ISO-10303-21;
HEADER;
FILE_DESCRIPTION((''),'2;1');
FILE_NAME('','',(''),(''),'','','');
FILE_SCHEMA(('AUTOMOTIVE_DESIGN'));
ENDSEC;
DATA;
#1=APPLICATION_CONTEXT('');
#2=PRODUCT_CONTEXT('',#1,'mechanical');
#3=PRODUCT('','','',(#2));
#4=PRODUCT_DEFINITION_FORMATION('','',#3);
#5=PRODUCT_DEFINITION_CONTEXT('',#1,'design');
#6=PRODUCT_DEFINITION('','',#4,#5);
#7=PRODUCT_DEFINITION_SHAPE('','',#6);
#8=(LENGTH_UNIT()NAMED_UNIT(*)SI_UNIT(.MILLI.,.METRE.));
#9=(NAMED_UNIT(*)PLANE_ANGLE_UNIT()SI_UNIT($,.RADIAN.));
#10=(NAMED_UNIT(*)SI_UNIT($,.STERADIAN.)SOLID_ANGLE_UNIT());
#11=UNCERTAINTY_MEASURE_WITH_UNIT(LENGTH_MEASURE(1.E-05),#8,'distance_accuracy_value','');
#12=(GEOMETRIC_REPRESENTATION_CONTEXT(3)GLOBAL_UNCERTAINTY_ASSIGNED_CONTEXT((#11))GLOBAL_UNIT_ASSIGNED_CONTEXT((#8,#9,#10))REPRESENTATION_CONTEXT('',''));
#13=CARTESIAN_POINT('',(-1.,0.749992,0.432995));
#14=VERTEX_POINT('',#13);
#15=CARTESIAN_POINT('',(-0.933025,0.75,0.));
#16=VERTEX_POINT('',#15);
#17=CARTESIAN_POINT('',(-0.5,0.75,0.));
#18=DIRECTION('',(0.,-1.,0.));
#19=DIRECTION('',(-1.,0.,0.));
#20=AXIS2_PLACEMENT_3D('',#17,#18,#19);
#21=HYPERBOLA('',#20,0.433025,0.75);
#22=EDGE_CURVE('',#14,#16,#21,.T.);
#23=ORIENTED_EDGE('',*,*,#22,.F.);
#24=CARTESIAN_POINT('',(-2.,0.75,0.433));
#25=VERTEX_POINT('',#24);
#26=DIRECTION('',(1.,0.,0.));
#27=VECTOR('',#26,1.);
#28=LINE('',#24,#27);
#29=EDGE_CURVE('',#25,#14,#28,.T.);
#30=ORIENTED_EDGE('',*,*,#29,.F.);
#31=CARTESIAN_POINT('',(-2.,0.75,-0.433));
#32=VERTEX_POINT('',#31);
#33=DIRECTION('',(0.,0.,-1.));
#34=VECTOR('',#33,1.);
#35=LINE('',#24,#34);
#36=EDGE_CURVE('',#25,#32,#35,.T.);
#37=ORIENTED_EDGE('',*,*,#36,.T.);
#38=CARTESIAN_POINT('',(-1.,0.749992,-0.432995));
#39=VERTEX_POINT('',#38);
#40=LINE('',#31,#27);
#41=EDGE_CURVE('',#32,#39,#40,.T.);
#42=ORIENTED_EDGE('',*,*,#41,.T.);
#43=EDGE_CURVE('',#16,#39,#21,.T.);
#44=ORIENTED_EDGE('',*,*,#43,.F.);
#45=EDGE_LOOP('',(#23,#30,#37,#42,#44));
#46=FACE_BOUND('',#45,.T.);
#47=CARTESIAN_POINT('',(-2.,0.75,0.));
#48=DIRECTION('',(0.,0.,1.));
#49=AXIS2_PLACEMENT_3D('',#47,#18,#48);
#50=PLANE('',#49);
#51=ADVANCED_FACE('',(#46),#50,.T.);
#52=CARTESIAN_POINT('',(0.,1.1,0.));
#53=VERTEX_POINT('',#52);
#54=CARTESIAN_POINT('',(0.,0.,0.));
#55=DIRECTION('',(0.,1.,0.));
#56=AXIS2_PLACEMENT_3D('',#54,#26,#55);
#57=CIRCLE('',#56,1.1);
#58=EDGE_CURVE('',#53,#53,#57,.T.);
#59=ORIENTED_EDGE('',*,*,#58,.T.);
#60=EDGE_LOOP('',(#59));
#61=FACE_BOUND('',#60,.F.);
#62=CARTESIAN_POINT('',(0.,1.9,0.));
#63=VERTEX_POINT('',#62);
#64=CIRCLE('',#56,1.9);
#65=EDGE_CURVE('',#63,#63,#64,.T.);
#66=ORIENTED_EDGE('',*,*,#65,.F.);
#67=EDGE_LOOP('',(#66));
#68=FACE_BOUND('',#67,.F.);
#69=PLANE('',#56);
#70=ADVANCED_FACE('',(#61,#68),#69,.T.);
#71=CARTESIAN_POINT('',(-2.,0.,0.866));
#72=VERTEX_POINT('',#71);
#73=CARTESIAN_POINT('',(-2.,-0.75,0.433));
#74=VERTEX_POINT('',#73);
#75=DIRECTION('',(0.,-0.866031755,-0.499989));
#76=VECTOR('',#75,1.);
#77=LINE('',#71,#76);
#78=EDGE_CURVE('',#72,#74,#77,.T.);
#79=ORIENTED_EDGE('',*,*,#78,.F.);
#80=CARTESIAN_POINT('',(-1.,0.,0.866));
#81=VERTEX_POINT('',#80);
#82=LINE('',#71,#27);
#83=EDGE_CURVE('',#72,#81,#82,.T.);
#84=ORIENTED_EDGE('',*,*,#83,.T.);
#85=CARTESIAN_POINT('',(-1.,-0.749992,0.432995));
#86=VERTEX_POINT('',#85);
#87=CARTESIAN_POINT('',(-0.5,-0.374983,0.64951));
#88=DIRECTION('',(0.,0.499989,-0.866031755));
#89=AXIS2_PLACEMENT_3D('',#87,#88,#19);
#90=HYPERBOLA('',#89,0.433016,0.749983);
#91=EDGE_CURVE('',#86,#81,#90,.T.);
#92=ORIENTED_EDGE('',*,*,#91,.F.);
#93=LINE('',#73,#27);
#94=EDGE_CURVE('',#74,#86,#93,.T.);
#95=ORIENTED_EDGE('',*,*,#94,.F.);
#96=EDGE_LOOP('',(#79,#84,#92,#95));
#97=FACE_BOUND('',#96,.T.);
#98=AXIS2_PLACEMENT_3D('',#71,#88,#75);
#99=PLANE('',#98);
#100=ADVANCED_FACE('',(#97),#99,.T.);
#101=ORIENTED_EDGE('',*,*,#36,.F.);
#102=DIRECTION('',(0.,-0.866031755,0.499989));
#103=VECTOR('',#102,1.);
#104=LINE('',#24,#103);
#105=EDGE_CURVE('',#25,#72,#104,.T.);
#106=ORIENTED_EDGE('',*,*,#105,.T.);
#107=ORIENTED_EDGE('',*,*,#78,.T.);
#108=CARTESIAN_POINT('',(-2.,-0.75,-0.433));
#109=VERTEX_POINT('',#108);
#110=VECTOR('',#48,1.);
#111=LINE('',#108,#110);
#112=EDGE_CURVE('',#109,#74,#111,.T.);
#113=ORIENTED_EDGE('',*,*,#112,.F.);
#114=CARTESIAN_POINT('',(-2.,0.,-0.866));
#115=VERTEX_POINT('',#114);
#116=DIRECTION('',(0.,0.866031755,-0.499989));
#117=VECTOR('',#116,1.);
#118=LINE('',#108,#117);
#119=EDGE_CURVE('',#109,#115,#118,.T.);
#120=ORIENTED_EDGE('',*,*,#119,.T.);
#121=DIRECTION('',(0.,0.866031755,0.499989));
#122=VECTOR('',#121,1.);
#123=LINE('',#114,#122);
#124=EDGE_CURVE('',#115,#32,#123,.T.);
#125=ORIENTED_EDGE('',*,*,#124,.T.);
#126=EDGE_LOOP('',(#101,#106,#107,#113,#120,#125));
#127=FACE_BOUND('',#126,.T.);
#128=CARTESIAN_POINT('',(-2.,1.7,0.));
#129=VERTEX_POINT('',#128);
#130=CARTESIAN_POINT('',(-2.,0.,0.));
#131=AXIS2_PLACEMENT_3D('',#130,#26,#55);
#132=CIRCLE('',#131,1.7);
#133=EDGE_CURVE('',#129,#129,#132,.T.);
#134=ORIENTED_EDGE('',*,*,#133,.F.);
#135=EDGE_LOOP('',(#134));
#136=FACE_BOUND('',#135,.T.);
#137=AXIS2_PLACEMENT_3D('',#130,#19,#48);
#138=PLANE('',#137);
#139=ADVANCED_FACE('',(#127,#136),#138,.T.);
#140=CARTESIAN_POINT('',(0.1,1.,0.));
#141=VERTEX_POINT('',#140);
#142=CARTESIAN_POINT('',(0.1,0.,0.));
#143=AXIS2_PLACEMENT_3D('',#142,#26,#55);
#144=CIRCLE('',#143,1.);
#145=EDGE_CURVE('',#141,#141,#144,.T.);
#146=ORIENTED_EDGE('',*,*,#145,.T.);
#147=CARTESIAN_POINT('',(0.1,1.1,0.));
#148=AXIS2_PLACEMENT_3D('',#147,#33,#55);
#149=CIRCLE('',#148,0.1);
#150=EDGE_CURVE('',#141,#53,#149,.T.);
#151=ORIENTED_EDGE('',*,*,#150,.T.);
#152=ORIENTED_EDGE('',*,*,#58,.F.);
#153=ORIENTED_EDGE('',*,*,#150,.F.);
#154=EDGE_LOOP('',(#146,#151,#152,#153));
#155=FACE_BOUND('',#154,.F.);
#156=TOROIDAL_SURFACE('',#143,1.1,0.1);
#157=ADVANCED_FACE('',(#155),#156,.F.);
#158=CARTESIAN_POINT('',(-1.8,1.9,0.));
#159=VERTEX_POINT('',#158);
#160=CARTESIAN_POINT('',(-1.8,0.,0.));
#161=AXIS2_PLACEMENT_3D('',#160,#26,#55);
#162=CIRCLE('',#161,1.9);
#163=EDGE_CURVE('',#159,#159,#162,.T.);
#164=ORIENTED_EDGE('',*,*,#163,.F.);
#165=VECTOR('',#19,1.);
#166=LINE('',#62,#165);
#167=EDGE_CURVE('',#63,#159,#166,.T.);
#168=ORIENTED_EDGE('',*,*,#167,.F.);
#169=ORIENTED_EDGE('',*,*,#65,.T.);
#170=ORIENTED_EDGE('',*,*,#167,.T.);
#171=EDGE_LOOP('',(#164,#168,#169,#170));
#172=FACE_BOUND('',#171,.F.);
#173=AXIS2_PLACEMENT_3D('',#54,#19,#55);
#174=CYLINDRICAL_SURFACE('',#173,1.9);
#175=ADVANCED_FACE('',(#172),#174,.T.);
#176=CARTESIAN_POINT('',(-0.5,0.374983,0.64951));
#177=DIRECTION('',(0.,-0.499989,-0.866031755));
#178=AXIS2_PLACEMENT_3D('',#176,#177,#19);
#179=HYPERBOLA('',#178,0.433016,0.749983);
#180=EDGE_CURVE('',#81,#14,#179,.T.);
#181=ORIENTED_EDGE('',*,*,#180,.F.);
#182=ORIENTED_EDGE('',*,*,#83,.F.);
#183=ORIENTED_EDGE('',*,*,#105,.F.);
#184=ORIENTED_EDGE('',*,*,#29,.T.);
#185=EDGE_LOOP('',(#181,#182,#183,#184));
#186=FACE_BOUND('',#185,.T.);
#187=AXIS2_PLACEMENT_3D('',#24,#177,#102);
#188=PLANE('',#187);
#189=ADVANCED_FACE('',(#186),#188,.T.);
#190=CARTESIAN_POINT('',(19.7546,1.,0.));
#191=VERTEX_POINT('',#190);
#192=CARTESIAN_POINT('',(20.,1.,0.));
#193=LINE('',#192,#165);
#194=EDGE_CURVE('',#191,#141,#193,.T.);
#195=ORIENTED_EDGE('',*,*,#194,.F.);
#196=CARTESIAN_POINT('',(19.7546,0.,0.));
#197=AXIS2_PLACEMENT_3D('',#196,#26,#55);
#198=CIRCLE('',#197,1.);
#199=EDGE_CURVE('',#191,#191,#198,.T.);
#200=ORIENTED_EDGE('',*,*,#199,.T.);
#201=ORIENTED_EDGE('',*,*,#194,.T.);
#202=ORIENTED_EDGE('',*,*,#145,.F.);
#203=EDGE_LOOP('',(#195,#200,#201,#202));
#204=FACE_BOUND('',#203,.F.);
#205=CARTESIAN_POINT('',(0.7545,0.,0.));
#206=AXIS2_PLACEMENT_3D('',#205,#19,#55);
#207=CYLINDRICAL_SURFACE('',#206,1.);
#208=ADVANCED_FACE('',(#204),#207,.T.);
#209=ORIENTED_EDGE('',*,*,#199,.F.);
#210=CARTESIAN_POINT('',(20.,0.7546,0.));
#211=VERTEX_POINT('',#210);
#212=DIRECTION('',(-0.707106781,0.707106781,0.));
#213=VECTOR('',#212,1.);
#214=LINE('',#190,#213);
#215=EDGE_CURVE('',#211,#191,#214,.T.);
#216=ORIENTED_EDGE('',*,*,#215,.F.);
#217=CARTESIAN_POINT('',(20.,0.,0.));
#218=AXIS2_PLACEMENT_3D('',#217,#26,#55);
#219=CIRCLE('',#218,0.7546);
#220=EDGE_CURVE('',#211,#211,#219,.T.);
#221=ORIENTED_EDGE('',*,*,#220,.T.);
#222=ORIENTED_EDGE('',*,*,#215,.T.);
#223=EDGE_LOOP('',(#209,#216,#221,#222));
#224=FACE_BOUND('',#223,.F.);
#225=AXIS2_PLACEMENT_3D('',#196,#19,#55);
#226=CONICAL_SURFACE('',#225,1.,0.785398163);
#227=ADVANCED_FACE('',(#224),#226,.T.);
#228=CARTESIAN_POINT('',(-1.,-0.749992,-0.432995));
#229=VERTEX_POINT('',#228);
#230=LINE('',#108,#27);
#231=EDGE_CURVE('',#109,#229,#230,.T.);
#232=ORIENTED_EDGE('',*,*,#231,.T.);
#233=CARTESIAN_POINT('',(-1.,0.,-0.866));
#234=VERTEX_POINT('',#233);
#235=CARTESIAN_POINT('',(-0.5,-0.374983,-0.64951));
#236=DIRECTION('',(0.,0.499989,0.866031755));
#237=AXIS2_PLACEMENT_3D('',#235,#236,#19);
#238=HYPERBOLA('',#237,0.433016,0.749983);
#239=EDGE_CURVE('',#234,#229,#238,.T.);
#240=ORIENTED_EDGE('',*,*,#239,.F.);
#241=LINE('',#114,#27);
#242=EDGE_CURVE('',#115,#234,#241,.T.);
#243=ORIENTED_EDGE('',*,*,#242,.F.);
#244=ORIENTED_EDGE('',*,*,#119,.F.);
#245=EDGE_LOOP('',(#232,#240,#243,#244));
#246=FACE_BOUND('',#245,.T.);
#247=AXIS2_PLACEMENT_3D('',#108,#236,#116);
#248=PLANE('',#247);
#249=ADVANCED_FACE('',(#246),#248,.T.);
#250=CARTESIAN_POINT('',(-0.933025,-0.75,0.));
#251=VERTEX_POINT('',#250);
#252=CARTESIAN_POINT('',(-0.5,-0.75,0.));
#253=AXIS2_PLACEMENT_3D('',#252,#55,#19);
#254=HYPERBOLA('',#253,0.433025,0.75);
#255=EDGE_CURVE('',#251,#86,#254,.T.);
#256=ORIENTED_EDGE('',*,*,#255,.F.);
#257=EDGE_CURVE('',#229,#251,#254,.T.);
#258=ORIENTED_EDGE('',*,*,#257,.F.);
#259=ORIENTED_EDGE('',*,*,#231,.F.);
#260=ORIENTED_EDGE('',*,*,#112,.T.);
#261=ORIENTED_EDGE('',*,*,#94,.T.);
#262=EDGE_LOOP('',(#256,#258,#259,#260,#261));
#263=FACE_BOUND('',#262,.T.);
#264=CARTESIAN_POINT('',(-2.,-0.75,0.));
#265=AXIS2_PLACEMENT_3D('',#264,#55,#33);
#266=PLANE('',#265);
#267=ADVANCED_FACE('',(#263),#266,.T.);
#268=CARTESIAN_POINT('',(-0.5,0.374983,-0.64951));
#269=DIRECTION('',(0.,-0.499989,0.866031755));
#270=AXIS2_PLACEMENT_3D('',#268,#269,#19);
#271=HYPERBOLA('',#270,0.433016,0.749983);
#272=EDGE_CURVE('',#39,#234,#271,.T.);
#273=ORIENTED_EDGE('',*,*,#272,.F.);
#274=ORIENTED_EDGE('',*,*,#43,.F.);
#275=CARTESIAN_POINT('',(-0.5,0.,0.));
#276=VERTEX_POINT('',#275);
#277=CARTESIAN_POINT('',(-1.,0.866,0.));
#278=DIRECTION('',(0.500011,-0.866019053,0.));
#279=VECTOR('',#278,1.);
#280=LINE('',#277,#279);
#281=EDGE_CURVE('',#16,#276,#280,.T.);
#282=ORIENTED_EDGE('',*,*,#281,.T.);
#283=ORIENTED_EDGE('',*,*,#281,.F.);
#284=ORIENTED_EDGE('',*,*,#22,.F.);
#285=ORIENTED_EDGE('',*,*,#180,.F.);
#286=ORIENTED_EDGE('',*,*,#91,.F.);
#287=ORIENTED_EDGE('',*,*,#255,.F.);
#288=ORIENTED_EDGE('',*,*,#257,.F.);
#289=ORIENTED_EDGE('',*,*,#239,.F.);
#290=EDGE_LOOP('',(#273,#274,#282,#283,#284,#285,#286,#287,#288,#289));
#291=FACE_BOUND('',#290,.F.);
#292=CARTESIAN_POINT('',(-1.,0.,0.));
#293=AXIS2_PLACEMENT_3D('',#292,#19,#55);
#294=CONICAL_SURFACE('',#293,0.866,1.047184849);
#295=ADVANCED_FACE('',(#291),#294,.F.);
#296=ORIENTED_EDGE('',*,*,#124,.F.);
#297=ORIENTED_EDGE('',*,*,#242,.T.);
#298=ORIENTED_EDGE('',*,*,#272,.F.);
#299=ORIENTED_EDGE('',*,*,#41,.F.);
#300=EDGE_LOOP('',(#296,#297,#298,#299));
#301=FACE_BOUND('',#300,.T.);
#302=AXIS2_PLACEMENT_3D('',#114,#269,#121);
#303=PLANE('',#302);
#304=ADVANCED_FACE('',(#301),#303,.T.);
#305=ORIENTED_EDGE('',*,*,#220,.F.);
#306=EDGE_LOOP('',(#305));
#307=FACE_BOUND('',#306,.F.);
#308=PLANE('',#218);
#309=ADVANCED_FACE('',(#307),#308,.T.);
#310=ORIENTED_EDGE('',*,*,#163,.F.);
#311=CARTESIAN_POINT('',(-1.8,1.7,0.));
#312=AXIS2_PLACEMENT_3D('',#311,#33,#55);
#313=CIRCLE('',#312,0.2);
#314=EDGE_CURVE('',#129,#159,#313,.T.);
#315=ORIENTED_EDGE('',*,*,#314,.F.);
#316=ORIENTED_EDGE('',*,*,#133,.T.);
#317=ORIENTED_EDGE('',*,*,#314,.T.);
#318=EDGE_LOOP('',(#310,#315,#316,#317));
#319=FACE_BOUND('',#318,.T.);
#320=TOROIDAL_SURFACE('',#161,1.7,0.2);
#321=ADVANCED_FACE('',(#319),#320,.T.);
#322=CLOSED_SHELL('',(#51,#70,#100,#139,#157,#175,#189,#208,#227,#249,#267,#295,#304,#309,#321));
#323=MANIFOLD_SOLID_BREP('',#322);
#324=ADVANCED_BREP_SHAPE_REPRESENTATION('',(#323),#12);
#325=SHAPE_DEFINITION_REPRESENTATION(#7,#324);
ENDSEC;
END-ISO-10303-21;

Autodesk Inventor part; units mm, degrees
ref_plane "YZ Plane" through (0, 0, 0) normal (1, 0, 0) x (0, 1, 0)
ref_plane "XZ Plane" through (0, 0, 0) normal (0, 1, 0) x (-1, 0, 0)
sketch "Sketch1" plane through (0, 0, 0) normal (0, 0, 1) x (1, 0, 0)
  line L0 (-0.5, 0) -> (20, 0)
  line L1 (20, 0) -> (20, 1)
  line L2 (20, 1) -> (1, 1)
  line L3 (1, 1) -> (0.7545, 1)
  line L4 (0.7545, 1) -> (0, 1)
  line L5 (0, 1) -> (0, 1.9)
  line L6 (0, 1.9) -> (-2, 1.9)
  line L7 (-2, 1.9) -> (-2, 0.866)
  line L8 (-2, 0.866) -> (-1, 0.866)
  line L9 (-1, 0.866) -> (-0.5, 0)
  line L10 (-6.4, 0) -> (24.4, 0) projected
  line L11 (0, -0.38) -> (0, 2.28) projected
  line L12 (1, 1) -> (0, 1) construction
  dimension "d1" = 19
  dimension "d2" = 0.2455
  dimension "d3" = 2
  dimension "d4" = 1
  dimension "d5" = 60
  dimension "d6" = 2
  dimension "d7" = 2
  dimension "d8" = 1.7321
  dimension "d9" = 3.8
  dimension "d26" = 20
revolve "Body" add sketch "Sketch1" angle 360 about axis through (-0.5, 0, 0) along (1, 0, 0)
sketch "Sketch2" plane through (-2, 0, 0) normal (-1, 0, 0) x (0, 0, 1)
  circle A0 centre (0, 0) radius 0.866 projected
  line L0 (0, -2.66) -> (0, 2.66) projected
  line L1 (-2.66, 0) -> (2.66, 0) projected
  line L2 (0.866, 0) -> (0.433, -0.75)
  line L3 (0.433, -0.75) -> (-0.433, -0.75)
  line L4 (-0.433, -0.75) -> (-0.866, 0)
  line L5 (-0.866, 0) -> (-0.433, 0.75)
  line L6 (-0.433, 0.75) -> (0.433, 0.75)
  line L7 (0.433, 0.75) -> (0.866, 0)
extrude "Slot" add sketch "Sketch2" against normal up to next contours L7 A0 | A0 L2 | L6 L0 A0 | A0 L0 L3 | L0 L6 A0 | A0 L3 L0 | L4 A0 | A0 L5
fillet "Fillet1" radius 0.2 1 edges at (-2, -1.9, 0)
thread "Thread" size "M2x0.4" class "6g" standard "ISO Metric profile" length 19
chamfer "Chamfer1" distance 0.2454 distance2 0.2454 1 edges at (20, -1, 0) measured on face at (20, -0.4443, -0.4503)
ref_plane "Work Plane1" through (29, 0, 0) normal (0, -1, 0) x (1, 0, 0)
fillet "Fillet2" radius 0.1 1 edges at (0, -1, 0)
equation "\"d1\" = GEL"
equation "\"d3\" = KOH"
equation "\"d4\" = INTI"
equation "\"d6\" = GD"
equation "\"d7\" = BDM"
equation "\"d8\" = 1.1547 * SW"
equation "\"d9\" = KOD"
equation "\"d26\" = NLG"
equation "\"d30\" = R"
equation "\"d17\" = RR"
equation "\"d13\" = GEL"
equation "\"d15\" = -0.5 * SPD + 0.5 * GD"
equation "\"d16\" = GUL"
equation "\"GD\" = NND"
equation "\"NLG\" = 20"
equation "\"GEL\" = 19"
equation "\"KOD\" = 3.8"
equation "\"KOH\" = 2"
equation "\"INTI\" = 1"
equation "\"GAL\" = 0.61345 * PTC"
equation "\"GUL\" = 0.61345 * PTC"
equation "\"BDM\" = NND"
equation "\"SW\" = 1.5"
equation "\"RR\" = 0.2"
equation "\"SPD\" = NND - 1.2269 * PTC"
equation "\"R\" = 0.1"
equation "\"TOA\" = 30deg"
equation "\"GD1\" = THREADDIA - 1.2269 * PTC"
equation "\"THREADDIA\" = 2"
equation "\"FAWI\" = 45deg"
equation "\"ANG\" = 120deg"
equation "\"PTC\" = 0.4"
equation "\"NND\" = 2"
equation "\"E0\" = 1.155 * SW"
properties part number "DIN 912 - M2 x 20" material "Steel, Mild"
